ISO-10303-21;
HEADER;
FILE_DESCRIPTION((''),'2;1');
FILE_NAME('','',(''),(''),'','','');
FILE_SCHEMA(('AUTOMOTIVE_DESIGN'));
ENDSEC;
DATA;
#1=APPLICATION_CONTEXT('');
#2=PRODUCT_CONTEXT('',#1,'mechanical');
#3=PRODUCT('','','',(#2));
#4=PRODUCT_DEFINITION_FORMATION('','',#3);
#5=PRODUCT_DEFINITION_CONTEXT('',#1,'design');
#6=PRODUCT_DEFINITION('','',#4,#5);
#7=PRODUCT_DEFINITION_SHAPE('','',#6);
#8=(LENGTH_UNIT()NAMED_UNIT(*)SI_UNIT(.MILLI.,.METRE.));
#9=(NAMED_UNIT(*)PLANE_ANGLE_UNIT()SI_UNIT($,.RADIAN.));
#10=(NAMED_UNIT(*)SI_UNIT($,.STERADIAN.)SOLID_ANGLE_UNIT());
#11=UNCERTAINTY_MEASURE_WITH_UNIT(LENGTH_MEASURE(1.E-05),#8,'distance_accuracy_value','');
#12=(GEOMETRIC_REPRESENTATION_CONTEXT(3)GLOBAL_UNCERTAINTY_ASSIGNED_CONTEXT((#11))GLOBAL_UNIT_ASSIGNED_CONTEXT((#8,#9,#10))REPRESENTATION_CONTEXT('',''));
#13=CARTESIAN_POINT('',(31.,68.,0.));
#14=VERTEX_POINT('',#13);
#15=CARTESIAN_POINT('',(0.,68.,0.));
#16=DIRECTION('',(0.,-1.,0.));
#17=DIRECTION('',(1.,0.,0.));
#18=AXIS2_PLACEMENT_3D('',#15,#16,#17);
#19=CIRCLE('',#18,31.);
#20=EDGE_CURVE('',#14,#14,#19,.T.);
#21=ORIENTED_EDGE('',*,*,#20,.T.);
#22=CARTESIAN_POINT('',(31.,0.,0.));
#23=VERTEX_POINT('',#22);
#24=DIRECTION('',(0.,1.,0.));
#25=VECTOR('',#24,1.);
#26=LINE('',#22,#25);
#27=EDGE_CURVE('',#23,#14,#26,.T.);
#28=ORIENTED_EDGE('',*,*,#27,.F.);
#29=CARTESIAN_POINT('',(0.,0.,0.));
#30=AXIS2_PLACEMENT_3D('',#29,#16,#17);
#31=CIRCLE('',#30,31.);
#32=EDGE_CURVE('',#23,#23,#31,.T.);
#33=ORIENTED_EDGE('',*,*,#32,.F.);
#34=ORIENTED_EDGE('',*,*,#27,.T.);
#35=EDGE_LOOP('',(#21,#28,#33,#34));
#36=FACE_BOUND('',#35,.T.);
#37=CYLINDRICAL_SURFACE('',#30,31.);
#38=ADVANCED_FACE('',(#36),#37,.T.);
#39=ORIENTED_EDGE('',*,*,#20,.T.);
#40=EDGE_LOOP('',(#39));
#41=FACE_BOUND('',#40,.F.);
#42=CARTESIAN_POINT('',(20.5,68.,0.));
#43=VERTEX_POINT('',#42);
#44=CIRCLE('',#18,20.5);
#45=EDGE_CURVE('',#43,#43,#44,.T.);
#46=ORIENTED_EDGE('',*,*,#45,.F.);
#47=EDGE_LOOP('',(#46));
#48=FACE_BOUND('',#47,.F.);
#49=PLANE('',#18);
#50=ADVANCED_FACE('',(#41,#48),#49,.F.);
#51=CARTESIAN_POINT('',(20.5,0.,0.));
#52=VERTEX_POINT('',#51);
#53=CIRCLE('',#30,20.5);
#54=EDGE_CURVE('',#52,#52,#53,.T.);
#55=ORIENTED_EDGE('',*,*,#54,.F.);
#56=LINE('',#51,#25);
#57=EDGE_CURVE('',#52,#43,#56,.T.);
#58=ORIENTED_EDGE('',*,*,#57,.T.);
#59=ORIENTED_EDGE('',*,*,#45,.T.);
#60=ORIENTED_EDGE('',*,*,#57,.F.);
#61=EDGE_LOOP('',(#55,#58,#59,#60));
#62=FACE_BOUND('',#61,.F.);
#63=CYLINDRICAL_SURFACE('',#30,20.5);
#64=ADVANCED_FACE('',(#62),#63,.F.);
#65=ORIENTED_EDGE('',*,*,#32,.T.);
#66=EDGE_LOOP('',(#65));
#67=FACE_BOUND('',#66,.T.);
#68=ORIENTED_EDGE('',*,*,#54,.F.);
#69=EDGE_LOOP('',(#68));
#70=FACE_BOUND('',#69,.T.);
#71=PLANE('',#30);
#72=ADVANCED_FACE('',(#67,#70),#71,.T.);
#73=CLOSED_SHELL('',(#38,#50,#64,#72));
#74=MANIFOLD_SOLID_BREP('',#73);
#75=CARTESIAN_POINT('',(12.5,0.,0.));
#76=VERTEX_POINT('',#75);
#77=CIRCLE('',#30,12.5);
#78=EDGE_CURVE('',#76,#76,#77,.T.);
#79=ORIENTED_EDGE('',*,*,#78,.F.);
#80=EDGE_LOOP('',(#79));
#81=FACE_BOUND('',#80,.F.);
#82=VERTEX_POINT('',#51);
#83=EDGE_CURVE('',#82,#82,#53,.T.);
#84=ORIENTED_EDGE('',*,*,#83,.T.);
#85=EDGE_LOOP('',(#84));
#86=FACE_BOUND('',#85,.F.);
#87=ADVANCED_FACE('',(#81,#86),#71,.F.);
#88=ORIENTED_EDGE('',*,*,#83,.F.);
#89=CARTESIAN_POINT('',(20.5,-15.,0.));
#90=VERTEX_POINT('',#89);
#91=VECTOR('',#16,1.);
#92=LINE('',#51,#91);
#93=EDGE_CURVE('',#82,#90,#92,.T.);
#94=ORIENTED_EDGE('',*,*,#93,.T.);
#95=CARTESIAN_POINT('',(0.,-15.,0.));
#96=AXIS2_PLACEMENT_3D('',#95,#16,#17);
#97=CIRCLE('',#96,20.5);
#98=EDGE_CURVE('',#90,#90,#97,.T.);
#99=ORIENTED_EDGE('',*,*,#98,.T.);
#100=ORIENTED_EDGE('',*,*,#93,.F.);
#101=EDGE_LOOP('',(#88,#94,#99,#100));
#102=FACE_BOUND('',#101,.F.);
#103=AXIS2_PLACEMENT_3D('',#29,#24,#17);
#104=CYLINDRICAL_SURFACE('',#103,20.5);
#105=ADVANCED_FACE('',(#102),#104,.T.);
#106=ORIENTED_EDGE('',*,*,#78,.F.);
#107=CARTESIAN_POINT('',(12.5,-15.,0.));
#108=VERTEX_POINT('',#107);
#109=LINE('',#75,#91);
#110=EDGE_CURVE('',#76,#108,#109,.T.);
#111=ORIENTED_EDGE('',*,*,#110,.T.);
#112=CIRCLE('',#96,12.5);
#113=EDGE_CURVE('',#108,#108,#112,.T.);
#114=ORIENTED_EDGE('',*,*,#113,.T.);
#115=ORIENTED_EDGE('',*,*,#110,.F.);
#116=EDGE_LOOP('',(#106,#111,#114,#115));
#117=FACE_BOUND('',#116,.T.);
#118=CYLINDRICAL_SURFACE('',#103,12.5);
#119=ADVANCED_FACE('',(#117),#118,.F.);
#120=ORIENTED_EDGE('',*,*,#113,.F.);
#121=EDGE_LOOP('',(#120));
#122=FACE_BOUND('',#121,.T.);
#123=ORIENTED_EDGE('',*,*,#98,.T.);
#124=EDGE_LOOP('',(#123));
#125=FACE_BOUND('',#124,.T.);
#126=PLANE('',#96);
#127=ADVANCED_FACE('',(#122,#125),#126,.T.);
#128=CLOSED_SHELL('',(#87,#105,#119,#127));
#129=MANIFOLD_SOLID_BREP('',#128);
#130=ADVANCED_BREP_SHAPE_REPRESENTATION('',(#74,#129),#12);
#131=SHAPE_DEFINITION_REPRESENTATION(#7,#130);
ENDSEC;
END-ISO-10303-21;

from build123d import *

# Parameters (mm, degrees)
F0_R     = 31
F0_R_2   = 20.5
F1_DEPTH = 68
F0_R_3   = 12.5
F2_DEPTH = 15


with BuildPart() as f1:
    # F0 (on Front) → F1 (new body)
    with BuildSketch(Plane.XZ):
        Circle(F0_R)
        Circle(F0_R_2, mode=Mode.SUBTRACT)
    extrude(amount=-F1_DEPTH)

    # F0 (on Front) → F2 (join)
    with BuildSketch(Plane.XZ):
        Circle(F0_R_2)
        Circle(F0_R_3, mode=Mode.SUBTRACT)
    extrude(amount=F2_DEPTH)


solid = f1.part
